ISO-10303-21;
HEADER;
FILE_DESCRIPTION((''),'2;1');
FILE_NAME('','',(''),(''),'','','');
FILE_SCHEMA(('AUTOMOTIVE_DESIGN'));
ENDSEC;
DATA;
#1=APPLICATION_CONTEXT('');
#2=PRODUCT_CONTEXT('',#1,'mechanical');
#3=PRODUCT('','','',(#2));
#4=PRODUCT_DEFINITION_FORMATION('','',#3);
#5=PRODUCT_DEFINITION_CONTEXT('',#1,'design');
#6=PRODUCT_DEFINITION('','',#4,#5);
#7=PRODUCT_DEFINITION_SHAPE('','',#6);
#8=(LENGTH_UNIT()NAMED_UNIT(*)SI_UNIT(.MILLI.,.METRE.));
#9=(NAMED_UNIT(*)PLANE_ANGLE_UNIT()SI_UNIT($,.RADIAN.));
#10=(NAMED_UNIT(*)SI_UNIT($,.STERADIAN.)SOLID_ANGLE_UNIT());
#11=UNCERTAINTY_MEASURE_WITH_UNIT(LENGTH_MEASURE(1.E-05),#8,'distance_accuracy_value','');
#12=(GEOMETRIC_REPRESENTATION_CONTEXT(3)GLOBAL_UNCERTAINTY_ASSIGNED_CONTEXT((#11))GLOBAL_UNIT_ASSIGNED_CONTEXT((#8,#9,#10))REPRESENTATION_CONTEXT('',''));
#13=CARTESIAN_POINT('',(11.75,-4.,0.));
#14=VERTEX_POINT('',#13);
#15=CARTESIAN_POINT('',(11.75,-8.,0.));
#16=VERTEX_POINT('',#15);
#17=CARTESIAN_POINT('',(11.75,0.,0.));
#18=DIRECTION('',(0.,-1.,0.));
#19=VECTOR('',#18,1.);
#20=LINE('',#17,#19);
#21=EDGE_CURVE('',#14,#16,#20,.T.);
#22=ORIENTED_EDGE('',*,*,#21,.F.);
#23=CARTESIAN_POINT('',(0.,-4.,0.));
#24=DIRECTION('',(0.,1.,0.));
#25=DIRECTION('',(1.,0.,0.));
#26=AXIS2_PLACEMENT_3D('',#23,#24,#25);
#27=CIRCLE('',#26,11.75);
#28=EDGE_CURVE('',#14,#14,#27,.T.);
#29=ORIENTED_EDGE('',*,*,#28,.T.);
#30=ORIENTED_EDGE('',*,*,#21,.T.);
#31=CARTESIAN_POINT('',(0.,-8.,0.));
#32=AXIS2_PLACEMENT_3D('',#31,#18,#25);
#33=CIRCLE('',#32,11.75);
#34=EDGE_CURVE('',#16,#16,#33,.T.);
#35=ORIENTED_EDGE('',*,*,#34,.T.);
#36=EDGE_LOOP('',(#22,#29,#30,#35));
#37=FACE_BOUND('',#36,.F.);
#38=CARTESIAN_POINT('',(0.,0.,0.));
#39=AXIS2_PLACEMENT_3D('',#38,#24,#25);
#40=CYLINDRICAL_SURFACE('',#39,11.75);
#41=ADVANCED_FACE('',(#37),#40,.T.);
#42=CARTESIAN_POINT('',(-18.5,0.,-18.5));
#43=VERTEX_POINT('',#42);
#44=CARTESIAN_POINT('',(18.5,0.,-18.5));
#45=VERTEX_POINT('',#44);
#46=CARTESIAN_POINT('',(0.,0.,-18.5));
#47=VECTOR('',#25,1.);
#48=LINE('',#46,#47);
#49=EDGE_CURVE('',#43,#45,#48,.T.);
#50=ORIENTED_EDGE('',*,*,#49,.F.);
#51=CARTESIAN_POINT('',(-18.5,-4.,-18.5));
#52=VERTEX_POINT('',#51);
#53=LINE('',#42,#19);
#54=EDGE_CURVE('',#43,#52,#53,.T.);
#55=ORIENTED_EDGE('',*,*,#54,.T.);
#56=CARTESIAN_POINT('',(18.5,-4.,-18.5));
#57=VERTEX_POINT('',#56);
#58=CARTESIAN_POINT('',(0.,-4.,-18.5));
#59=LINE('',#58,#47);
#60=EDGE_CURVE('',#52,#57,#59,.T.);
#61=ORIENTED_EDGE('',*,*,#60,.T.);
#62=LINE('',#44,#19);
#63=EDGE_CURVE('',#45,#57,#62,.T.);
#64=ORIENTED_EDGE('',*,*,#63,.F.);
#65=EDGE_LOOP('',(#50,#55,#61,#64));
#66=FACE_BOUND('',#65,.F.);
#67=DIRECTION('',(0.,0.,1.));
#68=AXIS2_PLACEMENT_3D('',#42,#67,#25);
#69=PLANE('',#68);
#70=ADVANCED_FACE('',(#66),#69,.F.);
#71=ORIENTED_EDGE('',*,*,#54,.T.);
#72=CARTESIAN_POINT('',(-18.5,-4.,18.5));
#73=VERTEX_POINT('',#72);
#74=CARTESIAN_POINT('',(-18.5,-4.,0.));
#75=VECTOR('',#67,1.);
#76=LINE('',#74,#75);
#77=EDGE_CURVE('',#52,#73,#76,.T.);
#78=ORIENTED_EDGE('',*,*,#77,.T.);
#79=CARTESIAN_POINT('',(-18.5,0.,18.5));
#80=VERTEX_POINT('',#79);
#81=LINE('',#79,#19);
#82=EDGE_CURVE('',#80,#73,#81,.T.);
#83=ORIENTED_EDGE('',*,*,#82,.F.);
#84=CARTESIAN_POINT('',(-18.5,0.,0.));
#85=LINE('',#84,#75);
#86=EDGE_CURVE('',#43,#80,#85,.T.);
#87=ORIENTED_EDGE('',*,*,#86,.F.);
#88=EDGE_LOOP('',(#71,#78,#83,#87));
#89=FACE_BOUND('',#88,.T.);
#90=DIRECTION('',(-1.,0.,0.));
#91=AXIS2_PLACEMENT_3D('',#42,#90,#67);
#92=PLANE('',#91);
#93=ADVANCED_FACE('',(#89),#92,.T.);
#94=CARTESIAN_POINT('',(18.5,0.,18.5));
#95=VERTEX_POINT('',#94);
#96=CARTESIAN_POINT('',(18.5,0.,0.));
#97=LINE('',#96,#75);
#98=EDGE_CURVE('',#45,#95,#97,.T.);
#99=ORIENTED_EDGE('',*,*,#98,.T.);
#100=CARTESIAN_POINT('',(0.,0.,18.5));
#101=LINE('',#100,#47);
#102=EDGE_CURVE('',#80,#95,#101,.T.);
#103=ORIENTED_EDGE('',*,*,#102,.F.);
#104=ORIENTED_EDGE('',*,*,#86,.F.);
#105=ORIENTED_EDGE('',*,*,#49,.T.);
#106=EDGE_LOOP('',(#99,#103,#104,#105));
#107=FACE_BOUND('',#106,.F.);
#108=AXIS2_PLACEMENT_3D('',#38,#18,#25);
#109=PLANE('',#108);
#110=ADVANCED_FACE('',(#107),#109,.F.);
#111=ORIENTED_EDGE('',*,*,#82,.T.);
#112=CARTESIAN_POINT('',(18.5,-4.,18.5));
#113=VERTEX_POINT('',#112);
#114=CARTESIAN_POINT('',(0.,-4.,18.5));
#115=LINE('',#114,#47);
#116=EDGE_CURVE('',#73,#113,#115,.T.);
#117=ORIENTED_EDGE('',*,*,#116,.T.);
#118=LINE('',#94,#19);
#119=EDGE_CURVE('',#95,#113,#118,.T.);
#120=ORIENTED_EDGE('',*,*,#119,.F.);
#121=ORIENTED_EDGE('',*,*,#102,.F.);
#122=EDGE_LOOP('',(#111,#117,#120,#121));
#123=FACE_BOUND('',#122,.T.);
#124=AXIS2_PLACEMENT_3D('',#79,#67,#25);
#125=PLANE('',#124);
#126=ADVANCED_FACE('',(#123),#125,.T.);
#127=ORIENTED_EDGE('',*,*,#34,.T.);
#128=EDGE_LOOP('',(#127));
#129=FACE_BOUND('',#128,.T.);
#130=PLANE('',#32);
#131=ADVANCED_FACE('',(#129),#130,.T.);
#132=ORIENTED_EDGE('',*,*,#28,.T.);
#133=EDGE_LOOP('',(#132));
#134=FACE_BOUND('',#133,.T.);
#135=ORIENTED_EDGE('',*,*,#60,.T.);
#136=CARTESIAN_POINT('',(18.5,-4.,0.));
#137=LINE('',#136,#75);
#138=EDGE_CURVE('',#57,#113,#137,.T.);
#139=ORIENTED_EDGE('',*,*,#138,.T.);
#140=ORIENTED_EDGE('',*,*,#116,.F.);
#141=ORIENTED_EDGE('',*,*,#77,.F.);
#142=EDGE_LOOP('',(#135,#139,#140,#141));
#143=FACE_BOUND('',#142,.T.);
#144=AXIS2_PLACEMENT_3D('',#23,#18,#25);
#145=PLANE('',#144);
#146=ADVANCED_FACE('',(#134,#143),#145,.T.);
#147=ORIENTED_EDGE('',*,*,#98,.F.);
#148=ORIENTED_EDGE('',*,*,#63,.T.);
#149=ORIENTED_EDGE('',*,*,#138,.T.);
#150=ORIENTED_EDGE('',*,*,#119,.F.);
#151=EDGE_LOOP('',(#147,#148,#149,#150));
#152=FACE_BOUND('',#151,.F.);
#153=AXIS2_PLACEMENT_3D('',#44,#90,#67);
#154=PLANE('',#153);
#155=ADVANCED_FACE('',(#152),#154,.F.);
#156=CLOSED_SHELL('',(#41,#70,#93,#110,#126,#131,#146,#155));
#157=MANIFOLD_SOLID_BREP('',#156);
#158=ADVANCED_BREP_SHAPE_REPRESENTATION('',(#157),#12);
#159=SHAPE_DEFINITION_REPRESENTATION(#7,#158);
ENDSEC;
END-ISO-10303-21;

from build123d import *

# Parameters (mm, degrees)
F0_W     = 37
F0_H     = 37
F1_DEPTH = 4
F2_R     = 11.75
F3_DEPTH = 8


with BuildPart() as f1:
    # F0 (on Front) → F1 (new body)
    with BuildSketch(Plane.XZ):
        Rectangle(F0_W, F0_H)
    extrude(amount=F1_DEPTH)

    # F2 (on Front) → F3 (join)
    with BuildSketch(Plane.XZ):
        Circle(F2_R)
    extrude(amount=F3_DEPTH)


solid = f1.part
